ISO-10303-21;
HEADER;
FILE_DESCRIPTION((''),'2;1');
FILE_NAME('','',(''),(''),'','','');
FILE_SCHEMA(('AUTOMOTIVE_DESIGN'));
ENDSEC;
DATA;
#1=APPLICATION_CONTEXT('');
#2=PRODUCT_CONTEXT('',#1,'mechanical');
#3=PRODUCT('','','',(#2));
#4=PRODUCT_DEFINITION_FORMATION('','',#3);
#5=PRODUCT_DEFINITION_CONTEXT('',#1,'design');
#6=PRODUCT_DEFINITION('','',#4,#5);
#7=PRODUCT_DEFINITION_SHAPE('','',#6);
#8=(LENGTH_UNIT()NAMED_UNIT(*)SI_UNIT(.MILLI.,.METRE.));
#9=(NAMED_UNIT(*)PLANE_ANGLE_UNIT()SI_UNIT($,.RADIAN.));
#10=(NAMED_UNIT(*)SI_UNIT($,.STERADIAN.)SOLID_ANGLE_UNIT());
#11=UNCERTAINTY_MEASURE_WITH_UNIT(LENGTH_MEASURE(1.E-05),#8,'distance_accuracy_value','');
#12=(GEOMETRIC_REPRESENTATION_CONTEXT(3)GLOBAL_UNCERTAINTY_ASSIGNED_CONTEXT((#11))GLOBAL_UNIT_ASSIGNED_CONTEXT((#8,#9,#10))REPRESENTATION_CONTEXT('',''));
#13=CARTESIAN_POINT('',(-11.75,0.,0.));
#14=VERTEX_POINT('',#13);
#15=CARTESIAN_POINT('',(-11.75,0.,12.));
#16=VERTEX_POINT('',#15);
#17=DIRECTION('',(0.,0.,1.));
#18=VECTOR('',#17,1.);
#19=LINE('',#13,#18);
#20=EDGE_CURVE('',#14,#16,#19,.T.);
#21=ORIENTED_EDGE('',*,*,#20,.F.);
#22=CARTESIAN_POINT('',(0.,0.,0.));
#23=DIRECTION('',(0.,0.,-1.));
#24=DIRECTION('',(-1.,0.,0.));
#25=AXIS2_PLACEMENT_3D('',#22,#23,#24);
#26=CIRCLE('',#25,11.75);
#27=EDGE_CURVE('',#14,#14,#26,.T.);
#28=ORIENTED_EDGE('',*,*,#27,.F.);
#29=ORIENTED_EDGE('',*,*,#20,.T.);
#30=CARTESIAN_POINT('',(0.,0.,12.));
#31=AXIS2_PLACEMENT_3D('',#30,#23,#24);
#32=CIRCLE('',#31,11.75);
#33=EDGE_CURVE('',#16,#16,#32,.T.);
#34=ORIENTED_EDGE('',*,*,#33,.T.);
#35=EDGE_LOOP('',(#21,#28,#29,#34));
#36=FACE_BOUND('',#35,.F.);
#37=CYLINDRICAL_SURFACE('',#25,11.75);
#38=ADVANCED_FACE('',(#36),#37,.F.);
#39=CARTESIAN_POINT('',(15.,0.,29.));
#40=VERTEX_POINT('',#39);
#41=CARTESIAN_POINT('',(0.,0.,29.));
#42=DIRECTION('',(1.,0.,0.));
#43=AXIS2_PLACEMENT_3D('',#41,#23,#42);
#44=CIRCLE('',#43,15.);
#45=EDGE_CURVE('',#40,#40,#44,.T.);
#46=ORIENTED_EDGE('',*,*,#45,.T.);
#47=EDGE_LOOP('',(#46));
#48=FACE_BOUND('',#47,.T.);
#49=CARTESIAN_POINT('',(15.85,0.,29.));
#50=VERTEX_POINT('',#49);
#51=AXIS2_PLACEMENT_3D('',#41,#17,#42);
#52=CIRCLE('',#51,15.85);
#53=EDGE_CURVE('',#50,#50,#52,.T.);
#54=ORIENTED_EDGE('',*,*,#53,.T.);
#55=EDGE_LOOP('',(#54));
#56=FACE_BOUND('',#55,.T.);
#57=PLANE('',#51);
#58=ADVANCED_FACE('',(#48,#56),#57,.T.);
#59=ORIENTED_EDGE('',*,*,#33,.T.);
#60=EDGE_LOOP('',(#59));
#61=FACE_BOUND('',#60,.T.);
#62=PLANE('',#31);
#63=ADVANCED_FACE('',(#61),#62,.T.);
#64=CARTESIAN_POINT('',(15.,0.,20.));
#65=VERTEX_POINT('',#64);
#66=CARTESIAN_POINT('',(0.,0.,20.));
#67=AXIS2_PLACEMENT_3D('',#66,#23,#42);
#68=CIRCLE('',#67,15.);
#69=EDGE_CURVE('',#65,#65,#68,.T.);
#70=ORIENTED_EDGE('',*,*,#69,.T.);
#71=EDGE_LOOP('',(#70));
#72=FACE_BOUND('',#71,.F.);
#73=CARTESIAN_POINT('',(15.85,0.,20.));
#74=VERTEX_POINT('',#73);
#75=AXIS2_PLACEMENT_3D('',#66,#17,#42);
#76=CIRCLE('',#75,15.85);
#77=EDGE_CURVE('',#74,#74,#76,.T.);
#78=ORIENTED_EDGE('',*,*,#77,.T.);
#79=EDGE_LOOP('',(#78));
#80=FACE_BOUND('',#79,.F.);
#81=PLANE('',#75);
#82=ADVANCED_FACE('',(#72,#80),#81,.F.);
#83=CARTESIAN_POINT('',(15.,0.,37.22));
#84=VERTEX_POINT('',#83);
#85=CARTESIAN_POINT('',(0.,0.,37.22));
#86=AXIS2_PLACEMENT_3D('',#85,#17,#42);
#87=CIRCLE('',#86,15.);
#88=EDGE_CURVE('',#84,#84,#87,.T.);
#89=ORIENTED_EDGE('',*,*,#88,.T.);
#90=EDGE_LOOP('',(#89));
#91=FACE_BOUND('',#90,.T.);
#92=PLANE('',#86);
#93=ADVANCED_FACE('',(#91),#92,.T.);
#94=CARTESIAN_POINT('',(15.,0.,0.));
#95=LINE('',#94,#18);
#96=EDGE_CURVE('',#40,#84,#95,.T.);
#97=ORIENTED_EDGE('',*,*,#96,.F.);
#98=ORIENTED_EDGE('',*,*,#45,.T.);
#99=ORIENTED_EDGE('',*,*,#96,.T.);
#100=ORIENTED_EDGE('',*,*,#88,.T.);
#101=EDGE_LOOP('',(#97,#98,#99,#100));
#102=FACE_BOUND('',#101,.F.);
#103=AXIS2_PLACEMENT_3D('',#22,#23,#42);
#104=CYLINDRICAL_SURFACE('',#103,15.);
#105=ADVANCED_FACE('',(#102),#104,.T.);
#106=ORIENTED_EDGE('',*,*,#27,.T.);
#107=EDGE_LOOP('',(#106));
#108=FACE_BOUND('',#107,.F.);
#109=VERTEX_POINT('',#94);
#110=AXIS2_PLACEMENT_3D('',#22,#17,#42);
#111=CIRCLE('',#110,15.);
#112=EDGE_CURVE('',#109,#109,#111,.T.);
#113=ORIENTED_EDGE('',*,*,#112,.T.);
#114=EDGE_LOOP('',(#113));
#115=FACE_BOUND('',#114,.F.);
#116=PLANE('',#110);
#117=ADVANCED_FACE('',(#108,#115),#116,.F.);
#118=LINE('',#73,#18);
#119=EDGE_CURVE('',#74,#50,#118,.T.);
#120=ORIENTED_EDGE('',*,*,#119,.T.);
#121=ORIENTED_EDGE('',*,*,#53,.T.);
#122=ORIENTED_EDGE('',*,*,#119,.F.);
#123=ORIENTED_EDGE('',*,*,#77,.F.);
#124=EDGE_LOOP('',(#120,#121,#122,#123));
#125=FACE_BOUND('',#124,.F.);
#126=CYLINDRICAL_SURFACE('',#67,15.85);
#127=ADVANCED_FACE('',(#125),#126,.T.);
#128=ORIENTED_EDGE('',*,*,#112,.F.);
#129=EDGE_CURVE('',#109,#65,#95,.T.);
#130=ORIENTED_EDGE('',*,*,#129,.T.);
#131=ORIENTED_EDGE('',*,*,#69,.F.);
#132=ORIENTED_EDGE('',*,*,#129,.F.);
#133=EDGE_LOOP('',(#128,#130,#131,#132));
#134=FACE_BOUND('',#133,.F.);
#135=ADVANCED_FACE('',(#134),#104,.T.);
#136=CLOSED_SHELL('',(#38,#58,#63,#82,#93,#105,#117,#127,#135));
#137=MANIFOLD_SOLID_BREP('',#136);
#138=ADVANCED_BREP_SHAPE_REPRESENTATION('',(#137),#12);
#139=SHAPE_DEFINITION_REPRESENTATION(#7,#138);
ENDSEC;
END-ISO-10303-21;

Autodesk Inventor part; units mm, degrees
ref_plane "YZ Plane" through (0, 0, 0) normal (1, 0, 0) x (0, 1, 0)
ref_plane "XZ Plane" through (0, 0, 0) normal (0, 1, 0) x (-1, 0, 0)
sketch "Sketch1" plane through (0, 0, 0) normal (0, 0, 1) x (1, 0, 0)
  circle A0 centre (0, 0) radius 15
  dimension "d0" = 30
extrude "Extrusion1" add sketch "Sketch1" along normal blind 37.22
ref_plane "Work Plane1" through (0, 0, 20) normal (0, 0, 1) x (1, 0, 0)
sketch "Sketch2" plane through (0, 0, 20) normal (0, 0, 1) x (1, 0, 0)
  circle A0 centre (0, 0) radius 15.85
  dimension "d4" = 31.7
extrude "Extrusion2" add sketch "Sketch2" along normal blind 9
sketch "Sketch3" plane through (0, 0, 0) normal (0, 0, -1) x (-1, 0, 0)
  circle A0 centre (0, 0) radius 11.75
  dimension "d7" = 23.5
extrude "Extrusion3" cut sketch "Sketch3" against normal blind 12
properties part number "LensModel" material "Steel, Carbon"
